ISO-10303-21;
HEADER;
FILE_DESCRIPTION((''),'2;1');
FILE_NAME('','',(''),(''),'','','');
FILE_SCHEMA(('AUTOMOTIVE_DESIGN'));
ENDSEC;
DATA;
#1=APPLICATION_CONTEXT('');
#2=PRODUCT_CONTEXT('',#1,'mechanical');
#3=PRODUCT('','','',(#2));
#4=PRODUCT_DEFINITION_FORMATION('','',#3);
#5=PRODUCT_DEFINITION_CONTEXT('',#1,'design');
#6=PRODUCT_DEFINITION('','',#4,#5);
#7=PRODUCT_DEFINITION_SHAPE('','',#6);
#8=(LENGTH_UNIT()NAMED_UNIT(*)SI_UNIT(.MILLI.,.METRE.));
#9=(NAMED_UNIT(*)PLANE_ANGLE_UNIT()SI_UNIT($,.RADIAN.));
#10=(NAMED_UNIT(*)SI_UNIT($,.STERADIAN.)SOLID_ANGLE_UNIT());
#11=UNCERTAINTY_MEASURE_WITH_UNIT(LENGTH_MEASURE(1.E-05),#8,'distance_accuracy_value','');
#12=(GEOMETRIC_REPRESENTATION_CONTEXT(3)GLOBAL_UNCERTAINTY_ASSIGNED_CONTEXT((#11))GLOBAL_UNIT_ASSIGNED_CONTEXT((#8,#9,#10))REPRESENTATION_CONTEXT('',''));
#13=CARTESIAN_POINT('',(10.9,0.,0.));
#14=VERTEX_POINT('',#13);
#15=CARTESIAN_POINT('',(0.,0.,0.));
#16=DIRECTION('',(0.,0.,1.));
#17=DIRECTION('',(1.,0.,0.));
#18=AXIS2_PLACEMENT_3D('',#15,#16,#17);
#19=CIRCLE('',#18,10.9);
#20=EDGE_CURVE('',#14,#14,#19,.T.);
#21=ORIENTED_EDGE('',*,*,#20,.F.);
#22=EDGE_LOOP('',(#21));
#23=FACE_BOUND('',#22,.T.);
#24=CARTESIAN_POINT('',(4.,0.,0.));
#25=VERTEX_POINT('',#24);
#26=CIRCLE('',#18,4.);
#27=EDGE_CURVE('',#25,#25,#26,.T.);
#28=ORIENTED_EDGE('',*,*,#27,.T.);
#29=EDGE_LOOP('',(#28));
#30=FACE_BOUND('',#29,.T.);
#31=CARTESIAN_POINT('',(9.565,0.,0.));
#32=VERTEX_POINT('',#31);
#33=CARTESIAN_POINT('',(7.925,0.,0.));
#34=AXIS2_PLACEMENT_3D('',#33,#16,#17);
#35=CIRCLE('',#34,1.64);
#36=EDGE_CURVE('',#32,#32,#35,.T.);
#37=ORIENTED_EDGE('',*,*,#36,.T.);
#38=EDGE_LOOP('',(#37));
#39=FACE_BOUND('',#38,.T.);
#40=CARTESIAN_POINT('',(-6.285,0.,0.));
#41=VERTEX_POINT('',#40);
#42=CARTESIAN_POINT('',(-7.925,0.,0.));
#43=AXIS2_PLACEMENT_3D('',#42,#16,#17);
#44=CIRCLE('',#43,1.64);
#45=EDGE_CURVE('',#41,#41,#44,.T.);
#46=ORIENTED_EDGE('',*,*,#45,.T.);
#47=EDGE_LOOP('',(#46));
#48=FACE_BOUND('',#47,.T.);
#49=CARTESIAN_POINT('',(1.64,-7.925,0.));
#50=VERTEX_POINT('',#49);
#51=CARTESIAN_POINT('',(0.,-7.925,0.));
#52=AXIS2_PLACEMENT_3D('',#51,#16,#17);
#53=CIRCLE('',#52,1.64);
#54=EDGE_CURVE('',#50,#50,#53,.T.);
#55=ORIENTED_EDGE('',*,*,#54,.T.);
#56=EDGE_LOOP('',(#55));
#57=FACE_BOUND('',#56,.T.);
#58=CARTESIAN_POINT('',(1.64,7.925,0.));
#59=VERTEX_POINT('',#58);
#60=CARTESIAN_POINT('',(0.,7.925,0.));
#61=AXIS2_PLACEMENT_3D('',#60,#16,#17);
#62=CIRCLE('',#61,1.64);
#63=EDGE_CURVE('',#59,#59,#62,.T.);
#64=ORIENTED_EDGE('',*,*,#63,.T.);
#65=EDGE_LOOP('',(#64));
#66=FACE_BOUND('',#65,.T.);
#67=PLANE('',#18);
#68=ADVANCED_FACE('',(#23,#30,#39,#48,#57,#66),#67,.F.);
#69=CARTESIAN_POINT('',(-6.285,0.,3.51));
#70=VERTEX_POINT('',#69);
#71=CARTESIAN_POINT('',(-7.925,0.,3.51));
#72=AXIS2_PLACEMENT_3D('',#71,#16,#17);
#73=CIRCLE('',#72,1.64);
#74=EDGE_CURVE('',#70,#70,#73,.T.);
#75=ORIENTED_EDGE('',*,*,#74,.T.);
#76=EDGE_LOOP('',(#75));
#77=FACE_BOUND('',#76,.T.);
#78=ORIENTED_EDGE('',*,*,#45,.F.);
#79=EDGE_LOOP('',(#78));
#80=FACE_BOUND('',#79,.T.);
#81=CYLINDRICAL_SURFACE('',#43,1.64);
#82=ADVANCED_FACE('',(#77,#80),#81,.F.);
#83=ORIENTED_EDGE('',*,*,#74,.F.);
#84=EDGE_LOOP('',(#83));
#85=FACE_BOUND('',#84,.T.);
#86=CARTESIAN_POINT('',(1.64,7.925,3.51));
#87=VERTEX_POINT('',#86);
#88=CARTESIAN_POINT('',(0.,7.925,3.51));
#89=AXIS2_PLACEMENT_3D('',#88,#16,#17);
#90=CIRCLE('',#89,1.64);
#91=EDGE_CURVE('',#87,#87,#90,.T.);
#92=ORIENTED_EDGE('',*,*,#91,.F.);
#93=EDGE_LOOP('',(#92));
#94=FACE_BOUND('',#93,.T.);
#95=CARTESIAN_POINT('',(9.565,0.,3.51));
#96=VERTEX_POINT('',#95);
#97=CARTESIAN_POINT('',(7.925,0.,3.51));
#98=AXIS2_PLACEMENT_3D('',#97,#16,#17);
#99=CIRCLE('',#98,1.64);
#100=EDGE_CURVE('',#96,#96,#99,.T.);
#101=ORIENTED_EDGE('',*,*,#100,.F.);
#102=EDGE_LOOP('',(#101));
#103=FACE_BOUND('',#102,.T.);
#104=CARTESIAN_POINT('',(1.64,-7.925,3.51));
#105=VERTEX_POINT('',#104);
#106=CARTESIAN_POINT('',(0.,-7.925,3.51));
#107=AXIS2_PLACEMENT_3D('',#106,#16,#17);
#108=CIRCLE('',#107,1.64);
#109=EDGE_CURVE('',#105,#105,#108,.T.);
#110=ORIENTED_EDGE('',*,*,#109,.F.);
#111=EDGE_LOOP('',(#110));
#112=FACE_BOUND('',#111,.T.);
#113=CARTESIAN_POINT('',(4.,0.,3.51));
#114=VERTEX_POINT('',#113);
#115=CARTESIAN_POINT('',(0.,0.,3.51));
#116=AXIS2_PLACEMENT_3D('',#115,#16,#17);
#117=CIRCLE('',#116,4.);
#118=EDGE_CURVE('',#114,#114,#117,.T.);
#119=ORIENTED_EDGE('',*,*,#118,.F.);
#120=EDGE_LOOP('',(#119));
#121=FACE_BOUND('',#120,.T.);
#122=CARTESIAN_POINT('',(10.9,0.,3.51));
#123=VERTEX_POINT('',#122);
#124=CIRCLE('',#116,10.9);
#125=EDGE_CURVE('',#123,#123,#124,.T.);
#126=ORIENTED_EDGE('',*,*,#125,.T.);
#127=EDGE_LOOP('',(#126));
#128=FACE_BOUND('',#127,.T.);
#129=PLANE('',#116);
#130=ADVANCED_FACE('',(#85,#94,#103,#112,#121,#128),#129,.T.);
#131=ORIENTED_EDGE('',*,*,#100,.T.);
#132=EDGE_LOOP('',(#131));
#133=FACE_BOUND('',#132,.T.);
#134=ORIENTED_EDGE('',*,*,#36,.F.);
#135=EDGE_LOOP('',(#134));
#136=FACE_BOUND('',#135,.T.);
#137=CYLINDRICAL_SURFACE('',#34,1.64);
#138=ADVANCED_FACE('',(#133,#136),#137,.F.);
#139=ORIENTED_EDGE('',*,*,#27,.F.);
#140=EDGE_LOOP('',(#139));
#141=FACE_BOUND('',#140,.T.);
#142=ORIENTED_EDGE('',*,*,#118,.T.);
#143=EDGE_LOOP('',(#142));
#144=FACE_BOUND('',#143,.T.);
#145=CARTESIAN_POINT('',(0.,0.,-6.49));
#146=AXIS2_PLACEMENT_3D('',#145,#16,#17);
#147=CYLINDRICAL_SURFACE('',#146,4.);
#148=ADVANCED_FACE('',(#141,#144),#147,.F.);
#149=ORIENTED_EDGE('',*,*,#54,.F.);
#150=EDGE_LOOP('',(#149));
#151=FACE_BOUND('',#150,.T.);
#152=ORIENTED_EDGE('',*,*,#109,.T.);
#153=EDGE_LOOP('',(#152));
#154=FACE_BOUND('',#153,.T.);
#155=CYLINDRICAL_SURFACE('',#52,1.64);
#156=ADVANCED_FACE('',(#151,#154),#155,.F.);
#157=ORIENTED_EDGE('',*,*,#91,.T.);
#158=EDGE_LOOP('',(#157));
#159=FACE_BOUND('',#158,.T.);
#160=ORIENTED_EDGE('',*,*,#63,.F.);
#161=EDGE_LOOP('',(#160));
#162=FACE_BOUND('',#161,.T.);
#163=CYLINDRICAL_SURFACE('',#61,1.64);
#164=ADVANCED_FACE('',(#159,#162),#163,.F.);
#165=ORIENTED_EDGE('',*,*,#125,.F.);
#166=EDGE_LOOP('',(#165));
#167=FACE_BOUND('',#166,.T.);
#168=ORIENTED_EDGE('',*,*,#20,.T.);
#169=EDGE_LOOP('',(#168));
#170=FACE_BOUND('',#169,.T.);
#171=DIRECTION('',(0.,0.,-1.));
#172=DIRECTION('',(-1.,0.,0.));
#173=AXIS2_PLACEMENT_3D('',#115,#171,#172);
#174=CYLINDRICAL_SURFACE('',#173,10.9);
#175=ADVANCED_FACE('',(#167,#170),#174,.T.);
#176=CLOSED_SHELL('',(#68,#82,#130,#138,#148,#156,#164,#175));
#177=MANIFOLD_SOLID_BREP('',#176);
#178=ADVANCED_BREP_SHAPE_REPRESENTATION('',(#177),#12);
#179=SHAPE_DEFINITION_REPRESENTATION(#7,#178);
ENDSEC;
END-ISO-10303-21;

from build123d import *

# Parameters (mm, degrees)
SKETCH_1_R          = 10.9
EXTRUDE_1_DEPTH     = 3.51
SKETCH_2_R          = 1.64
CUT_EXTRUDE_1_DEPTH = 3.51
SKETCH_3_R          = 4
CUT_EXTRUDE_2_DEPTH = 10


with BuildPart() as part:
    # 草图1 → 凸台-拉伸1 (new body)
    with BuildSketch(Plane.XY):
        Circle(SKETCH_1_R)
    extrude(amount=EXTRUDE_1_DEPTH)

    # 草图2 → 切除-拉伸1 (cut)
    with BuildSketch(Plane.XY.offset(3.51)):
        with Locations((7.925, 0)):
            Circle(SKETCH_2_R)
        with Locations((-7.925, 0)):
            Circle(SKETCH_2_R)
        with Locations((0, 7.925)):
            Circle(SKETCH_2_R)
        with Locations((0, -7.925)):
            Circle(SKETCH_2_R)
    extrude(amount=-CUT_EXTRUDE_1_DEPTH, mode=Mode.SUBTRACT)

    # 草图3 → 切除-拉伸2 (cut)
    with BuildSketch(Plane.XY.offset(3.51)):
        Circle(SKETCH_3_R)
    extrude(amount=-CUT_EXTRUDE_2_DEPTH, mode=Mode.SUBTRACT)


solid = part.part
